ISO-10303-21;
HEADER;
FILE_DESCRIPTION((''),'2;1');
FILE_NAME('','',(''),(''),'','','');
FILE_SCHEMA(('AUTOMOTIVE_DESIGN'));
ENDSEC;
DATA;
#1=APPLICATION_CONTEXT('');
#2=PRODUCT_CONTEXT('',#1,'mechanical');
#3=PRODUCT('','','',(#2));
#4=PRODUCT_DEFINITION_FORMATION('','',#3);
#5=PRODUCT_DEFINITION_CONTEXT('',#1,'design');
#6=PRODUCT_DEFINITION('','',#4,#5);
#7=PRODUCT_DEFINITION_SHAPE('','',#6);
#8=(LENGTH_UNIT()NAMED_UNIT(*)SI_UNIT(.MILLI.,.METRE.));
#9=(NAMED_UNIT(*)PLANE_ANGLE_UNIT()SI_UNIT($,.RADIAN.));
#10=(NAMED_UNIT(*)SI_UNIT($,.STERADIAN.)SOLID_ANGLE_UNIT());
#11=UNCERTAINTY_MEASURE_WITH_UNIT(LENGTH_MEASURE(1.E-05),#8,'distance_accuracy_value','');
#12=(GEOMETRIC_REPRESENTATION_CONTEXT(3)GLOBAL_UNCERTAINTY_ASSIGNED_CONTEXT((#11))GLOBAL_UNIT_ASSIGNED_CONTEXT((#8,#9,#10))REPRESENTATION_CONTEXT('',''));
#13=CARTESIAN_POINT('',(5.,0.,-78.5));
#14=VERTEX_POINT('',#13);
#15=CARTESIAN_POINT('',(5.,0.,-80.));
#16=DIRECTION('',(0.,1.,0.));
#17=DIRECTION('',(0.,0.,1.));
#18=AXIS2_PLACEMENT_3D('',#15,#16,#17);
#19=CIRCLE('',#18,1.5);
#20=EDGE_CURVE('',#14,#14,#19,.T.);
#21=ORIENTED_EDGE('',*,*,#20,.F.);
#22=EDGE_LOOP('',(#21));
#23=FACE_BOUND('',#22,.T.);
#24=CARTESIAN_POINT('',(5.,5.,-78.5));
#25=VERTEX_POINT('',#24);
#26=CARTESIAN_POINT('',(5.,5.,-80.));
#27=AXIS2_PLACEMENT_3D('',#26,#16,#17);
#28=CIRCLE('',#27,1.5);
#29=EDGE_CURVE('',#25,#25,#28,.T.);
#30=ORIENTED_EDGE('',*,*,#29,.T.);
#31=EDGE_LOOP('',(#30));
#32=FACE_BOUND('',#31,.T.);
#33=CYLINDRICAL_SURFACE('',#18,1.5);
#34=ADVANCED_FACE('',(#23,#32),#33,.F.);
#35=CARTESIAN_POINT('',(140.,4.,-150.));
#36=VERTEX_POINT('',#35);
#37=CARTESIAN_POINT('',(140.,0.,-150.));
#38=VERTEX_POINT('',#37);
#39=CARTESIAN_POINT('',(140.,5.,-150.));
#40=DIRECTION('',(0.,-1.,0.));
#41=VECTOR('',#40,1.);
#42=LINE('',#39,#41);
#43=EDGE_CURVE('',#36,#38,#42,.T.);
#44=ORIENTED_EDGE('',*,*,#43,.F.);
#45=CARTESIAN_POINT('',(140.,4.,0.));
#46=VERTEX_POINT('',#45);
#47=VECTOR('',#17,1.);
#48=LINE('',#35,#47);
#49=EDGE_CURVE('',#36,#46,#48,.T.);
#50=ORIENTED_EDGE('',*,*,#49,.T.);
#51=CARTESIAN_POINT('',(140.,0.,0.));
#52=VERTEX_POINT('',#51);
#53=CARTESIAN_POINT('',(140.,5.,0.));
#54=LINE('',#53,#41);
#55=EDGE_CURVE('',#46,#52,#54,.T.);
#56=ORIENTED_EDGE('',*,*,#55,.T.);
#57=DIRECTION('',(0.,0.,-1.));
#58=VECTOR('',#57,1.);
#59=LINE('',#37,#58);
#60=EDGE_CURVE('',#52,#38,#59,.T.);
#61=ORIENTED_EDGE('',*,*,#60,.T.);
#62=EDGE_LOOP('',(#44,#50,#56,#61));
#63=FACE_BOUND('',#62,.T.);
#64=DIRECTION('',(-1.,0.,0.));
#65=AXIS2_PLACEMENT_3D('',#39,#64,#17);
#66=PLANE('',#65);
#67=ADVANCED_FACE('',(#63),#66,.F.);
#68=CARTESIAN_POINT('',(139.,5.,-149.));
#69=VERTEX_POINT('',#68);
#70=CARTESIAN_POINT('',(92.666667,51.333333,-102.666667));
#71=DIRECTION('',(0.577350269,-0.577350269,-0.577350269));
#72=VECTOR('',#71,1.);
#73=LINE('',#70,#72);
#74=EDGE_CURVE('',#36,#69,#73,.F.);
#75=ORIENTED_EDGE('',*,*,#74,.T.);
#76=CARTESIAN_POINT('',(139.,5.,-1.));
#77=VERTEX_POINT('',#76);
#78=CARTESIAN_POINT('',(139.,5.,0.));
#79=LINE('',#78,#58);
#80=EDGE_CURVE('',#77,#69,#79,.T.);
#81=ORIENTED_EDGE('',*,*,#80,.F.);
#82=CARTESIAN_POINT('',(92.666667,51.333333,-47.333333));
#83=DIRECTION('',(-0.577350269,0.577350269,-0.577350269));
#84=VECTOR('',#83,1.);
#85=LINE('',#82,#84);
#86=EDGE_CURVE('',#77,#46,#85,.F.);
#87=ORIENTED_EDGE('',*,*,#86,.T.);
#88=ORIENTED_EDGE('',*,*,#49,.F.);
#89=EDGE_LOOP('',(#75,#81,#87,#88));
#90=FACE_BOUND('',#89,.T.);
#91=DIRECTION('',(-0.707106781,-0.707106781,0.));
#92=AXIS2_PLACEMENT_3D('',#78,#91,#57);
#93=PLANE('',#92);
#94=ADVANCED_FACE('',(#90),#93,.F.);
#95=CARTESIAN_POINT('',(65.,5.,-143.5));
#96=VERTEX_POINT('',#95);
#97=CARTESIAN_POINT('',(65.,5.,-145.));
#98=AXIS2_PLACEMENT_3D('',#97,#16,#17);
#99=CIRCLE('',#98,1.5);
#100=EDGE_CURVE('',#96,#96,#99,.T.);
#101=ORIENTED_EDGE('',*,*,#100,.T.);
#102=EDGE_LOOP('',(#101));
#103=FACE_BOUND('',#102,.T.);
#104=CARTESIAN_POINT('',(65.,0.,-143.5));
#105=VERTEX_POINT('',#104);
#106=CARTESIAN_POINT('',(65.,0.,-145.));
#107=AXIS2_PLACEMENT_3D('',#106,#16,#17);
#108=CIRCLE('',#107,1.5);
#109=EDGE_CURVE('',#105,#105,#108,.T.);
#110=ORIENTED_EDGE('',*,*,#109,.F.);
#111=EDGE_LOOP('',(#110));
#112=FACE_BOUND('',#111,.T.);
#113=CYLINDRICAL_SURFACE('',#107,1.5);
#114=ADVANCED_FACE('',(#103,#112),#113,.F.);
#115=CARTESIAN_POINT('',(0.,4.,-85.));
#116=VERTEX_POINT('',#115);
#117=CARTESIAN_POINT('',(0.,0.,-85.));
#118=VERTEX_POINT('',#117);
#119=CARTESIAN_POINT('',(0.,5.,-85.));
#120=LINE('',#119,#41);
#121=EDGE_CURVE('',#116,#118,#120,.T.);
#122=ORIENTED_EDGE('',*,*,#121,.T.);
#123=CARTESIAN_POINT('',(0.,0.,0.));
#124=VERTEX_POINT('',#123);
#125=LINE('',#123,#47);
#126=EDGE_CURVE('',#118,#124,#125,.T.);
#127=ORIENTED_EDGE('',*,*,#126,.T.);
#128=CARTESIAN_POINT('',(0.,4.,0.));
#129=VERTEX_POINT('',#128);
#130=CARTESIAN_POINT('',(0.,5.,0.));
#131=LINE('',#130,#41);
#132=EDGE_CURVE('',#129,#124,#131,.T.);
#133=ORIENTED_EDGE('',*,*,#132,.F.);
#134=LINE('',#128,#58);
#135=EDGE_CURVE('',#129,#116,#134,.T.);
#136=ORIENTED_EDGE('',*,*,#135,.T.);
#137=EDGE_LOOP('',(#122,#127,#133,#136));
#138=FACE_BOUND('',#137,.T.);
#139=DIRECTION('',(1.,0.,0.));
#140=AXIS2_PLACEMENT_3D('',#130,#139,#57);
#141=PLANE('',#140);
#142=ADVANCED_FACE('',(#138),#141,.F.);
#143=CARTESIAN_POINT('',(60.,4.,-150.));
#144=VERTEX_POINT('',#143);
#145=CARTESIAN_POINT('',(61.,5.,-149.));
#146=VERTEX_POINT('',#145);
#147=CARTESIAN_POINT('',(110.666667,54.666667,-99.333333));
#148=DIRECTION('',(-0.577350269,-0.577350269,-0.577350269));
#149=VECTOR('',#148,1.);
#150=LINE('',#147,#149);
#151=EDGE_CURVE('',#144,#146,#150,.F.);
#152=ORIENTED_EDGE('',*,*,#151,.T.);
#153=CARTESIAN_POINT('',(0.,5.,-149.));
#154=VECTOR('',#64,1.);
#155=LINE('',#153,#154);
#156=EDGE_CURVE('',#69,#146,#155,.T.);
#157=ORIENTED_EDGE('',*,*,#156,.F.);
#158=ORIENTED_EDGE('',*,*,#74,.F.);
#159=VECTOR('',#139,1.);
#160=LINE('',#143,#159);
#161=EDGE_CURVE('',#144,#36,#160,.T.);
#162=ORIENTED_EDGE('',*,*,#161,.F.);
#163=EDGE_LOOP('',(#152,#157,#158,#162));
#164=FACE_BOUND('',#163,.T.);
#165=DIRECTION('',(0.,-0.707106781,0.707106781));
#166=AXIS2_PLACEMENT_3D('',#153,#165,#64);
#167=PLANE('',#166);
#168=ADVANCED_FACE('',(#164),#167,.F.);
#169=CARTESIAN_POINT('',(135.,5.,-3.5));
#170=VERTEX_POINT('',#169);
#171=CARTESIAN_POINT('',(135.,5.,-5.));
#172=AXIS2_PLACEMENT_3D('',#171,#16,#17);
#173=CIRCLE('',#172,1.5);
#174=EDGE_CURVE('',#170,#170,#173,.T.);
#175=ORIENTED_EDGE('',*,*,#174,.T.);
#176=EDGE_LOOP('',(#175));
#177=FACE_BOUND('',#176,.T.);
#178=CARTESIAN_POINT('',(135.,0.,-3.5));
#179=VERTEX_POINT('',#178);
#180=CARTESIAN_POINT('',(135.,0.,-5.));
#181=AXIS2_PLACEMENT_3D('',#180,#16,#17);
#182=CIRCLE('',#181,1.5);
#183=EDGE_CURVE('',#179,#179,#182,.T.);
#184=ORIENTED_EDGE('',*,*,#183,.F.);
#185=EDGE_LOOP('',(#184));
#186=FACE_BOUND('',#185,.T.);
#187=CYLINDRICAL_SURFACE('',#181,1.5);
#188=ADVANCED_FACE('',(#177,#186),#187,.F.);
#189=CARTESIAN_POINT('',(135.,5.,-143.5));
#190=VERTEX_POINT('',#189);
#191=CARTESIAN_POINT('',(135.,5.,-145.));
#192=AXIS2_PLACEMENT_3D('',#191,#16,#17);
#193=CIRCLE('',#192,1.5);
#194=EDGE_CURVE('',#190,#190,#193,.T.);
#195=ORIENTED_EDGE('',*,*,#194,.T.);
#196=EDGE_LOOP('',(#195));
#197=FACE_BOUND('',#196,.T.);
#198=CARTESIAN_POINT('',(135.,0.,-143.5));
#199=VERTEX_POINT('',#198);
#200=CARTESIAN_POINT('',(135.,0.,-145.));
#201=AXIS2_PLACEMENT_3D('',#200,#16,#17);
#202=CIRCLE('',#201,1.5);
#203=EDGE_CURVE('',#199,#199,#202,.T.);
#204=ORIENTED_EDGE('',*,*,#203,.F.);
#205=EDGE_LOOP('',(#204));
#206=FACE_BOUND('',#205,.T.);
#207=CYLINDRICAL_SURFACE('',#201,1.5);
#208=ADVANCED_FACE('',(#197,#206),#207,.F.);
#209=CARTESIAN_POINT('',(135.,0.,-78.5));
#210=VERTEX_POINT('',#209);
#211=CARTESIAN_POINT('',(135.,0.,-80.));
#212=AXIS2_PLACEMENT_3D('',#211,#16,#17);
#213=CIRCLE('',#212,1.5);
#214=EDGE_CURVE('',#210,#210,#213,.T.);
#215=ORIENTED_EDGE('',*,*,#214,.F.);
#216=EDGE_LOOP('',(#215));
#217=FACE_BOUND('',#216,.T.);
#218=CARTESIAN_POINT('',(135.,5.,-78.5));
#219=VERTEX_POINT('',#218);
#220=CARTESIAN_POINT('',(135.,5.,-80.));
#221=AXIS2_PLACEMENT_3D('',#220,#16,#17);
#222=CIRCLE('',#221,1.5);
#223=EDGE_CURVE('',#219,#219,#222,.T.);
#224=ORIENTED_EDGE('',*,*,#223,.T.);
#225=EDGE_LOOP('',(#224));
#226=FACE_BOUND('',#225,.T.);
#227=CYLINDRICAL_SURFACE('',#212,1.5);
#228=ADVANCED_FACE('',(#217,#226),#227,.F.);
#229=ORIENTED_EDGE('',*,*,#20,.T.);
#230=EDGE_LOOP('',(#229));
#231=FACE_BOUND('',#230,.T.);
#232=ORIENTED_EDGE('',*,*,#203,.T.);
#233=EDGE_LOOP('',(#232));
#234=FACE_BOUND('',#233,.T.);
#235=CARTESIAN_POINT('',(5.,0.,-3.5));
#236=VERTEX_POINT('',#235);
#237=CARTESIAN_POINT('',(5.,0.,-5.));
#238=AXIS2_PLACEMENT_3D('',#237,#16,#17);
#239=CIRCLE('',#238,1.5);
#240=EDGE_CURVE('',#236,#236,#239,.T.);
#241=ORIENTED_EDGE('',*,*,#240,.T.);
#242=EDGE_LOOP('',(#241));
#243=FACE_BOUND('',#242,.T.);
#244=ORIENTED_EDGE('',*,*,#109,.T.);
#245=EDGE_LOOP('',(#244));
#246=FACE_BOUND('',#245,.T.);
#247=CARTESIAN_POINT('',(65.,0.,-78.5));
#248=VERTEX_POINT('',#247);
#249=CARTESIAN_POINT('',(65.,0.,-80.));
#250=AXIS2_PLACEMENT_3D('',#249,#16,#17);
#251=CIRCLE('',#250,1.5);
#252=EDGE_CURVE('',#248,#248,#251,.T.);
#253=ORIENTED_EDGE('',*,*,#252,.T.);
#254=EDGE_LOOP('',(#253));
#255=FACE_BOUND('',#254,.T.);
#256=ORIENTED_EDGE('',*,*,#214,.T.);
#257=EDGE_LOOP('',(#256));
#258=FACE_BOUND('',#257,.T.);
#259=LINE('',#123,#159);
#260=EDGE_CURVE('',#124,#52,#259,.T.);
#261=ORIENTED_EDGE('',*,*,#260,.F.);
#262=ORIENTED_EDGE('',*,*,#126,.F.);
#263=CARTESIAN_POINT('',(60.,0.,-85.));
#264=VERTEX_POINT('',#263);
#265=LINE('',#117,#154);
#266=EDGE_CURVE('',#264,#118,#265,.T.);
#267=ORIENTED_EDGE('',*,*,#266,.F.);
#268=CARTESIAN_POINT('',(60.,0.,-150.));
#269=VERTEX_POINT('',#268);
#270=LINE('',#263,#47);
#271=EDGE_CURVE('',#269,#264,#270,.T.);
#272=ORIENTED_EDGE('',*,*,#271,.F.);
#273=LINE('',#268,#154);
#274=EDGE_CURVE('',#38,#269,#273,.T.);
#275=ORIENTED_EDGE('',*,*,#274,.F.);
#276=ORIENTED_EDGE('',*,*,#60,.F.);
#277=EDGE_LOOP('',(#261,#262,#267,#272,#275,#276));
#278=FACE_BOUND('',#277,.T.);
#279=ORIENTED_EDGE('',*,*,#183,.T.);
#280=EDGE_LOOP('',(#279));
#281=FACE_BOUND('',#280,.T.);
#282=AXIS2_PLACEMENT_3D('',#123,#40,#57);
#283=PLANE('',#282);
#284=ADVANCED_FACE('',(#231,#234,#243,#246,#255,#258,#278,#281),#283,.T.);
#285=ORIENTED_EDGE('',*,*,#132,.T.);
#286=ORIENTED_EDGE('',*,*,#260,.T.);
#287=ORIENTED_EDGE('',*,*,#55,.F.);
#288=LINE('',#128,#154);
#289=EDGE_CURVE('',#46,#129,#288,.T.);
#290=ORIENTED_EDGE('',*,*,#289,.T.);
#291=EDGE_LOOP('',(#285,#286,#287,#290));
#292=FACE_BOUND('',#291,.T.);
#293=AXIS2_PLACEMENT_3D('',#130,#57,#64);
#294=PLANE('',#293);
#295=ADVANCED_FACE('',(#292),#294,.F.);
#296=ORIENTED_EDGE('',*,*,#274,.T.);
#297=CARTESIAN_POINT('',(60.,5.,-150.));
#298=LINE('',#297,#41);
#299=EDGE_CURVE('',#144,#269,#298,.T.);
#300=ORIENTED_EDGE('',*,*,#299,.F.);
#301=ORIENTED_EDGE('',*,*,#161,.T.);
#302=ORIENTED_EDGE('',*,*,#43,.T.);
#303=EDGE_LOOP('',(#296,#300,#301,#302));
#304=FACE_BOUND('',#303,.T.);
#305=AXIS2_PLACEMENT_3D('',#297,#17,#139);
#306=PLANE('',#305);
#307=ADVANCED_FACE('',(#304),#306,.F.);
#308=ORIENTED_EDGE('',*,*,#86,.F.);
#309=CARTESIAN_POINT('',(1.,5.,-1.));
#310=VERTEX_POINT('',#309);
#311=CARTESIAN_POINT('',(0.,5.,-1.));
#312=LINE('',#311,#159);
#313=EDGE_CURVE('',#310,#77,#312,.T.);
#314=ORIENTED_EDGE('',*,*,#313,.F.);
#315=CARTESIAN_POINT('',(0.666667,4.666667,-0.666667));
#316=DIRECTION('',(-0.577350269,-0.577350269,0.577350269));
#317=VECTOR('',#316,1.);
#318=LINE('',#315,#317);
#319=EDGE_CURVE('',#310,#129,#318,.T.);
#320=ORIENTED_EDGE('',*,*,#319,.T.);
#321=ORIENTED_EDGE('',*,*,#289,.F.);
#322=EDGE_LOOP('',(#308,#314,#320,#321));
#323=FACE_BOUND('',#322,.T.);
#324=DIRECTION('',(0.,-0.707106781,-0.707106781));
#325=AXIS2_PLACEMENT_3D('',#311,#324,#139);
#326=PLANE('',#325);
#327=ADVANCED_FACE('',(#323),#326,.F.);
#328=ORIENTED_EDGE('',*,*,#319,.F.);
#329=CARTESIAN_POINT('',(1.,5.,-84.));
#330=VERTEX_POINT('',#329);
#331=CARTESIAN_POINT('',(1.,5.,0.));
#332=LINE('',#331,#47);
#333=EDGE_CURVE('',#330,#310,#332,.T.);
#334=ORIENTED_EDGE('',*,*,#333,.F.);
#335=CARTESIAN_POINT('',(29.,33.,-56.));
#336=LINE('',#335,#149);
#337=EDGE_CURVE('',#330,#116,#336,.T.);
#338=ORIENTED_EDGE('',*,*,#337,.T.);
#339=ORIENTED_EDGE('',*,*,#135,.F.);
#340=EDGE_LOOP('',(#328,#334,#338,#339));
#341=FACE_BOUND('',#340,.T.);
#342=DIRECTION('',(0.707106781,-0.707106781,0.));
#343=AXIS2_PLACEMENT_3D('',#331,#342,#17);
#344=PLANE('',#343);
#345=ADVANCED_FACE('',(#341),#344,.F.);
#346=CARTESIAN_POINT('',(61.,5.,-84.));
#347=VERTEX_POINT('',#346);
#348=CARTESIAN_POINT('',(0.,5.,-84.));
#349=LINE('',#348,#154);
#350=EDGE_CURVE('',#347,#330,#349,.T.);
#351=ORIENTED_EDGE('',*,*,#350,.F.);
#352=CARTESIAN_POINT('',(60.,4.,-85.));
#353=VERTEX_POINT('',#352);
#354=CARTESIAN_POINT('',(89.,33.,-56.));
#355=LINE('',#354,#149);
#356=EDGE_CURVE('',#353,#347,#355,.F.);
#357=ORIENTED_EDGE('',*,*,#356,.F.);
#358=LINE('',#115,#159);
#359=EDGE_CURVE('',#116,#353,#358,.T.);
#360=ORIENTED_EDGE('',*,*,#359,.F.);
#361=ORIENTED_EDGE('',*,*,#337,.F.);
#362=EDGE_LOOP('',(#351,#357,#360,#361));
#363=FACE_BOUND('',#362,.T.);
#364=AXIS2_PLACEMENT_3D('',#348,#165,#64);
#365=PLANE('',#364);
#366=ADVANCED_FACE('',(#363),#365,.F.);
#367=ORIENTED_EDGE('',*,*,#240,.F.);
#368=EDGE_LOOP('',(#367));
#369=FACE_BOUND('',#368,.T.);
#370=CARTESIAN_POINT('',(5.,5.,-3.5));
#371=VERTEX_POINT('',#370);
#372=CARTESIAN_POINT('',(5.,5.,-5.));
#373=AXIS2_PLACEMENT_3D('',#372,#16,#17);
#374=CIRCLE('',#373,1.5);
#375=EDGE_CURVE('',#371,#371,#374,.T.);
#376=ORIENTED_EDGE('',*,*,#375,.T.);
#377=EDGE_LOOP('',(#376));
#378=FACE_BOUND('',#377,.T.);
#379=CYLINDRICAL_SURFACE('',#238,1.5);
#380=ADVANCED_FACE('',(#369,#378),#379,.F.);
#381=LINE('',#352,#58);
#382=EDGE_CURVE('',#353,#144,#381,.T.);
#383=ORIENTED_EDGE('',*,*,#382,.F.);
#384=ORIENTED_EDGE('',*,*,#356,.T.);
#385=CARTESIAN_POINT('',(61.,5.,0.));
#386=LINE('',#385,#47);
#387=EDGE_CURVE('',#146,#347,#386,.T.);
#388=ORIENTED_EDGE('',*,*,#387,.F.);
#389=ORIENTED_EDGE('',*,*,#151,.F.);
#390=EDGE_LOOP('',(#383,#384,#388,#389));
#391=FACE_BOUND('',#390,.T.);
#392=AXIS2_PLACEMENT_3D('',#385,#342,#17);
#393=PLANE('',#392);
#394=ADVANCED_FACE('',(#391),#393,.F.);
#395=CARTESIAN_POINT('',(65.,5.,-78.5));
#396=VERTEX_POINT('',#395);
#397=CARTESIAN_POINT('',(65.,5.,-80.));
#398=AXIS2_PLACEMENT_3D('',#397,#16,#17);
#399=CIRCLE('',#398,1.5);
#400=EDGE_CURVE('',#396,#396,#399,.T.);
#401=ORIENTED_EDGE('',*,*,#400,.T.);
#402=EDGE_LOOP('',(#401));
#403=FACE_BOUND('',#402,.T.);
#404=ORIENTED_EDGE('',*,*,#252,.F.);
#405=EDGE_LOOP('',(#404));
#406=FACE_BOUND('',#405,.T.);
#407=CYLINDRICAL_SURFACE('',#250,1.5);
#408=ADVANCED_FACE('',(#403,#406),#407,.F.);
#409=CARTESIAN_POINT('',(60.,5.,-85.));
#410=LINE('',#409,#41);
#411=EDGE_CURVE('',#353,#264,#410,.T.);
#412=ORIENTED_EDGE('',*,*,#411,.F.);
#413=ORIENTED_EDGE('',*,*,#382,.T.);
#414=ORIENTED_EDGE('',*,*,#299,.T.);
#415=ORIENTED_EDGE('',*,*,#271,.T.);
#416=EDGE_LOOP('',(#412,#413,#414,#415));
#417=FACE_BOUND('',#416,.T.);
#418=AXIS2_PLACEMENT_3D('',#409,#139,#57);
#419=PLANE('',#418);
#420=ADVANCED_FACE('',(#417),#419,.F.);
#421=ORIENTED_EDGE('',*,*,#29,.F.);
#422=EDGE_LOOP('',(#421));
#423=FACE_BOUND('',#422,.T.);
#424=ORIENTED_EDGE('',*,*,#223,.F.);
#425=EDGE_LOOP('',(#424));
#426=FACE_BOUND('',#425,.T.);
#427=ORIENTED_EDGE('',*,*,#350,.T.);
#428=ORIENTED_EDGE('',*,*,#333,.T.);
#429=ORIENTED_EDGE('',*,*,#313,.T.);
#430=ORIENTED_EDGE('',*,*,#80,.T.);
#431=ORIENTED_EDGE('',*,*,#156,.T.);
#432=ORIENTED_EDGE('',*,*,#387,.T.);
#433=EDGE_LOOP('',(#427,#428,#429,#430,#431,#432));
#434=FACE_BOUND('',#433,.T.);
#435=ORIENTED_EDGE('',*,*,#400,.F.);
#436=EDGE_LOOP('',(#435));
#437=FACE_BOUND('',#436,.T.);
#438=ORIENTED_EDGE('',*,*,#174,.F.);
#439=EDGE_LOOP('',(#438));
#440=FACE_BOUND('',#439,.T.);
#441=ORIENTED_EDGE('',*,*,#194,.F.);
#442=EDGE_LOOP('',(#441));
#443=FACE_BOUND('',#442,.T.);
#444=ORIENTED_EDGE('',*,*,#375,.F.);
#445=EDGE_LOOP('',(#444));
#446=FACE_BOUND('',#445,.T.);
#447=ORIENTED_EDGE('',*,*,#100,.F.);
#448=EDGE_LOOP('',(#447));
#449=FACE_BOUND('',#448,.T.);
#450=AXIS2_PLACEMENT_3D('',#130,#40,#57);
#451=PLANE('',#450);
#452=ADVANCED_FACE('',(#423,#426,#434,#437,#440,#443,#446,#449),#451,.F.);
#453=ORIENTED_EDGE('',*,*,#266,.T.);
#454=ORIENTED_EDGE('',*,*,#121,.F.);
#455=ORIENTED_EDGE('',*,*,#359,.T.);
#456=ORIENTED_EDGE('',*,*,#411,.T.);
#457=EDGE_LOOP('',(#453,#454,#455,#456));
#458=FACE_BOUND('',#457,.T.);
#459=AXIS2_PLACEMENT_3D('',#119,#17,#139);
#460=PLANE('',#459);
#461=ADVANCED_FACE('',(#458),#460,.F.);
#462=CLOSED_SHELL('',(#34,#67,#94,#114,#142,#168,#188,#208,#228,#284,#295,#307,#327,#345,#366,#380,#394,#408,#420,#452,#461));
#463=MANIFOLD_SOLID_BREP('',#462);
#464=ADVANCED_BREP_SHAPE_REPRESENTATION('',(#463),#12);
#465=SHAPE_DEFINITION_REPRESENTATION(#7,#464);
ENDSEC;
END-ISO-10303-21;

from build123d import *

# Parameters (mm, degrees)
BOSS_EXTRUDE1_DEPTH  = 5
CHAMFER1_SIZE        = 1
SKETCH2_R            = 1.5
CUT_EXTRUDE1_DEPTH   = 5
LPATTERN1_COUNT      = 2
LPATTERN1_PITCH      = 130
LPATTERN1_COUNT_DIR2 = 2
LPATTERN1_PITCH_DIR2 = 75
SKETCH3_R            = 1.5
CUT_EXTRUDE2_DEPTH   = 5
LPATTERN2_COUNT      = 2
LPATTERN2_PITCH      = 70
LPATTERN3_COUNT      = 2
LPATTERN3_PITCH      = 65


with BuildPart() as part:
    # Sketch1 → Boss-Extrude1 (new body)
    with BuildSketch(Plane(origin=(0, 0, 0), x_dir=(1, 0, 0), z_dir=(0, 1, 0))):
        Polygon((140, 150), (140, 0), (0, 0), (0, 85), (60, 85), (60, 150), align=None)
    extrude(amount=BOSS_EXTRUDE1_DEPTH)

    # Chamfer1
    chamfer1_edges = [part.edges().sort_by_distance(p)[0] for p in [
        (140, 5, -75),
        (100, 5, -150),
        (60, 5, -117.5),
        (30, 5, -85),
        (0, 5, -42.5),
        (70, 5, 0),
    ]]
    chamfer(chamfer1_edges, length=CHAMFER1_SIZE)

    # Sketch2 → Cut-Extrude1 (cut)
    with BuildSketch(Plane(origin=(0, 5, 0), x_dir=(1, 0, 0), z_dir=(0, 1, 0))):
        with Locations((5, 80)):
            Circle(SKETCH2_R)
    cut_extrude1 = extrude(amount=-CUT_EXTRUDE1_DEPTH, mode=Mode.SUBTRACT)

    # LPattern1: Cut-Extrude1 2 × 2
    with Locations(*[(i * LPATTERN1_PITCH, 0, j * LPATTERN1_PITCH_DIR2) for i in range(LPATTERN1_COUNT) for j in range(LPATTERN1_COUNT_DIR2) if (i, j) != (0, 0)]):
        add(cut_extrude1, mode=Mode.SUBTRACT)

    # Sketch3 → Cut-Extrude2 (cut)
    with BuildSketch(Plane(origin=(0, 5, 0), x_dir=(1, 0, 0), z_dir=(0, 1, 0))):
        with Locations((65, 145)):
            Circle(SKETCH3_R)
    cut_extrude2 = extrude(amount=-CUT_EXTRUDE2_DEPTH, mode=Mode.SUBTRACT)

    # LPattern2: Cut-Extrude2 ×2
    with Locations(*[(i * LPATTERN2_PITCH, 0, 0) for i in range(1, LPATTERN2_COUNT)]):
        add(cut_extrude2, mode=Mode.SUBTRACT)

    # LPattern3: Cut-Extrude2 ×2
    with Locations(*[(0, 0, i * LPATTERN3_PITCH) for i in range(1, LPATTERN3_COUNT)]):
        add(cut_extrude2, mode=Mode.SUBTRACT)


solid = part.part
